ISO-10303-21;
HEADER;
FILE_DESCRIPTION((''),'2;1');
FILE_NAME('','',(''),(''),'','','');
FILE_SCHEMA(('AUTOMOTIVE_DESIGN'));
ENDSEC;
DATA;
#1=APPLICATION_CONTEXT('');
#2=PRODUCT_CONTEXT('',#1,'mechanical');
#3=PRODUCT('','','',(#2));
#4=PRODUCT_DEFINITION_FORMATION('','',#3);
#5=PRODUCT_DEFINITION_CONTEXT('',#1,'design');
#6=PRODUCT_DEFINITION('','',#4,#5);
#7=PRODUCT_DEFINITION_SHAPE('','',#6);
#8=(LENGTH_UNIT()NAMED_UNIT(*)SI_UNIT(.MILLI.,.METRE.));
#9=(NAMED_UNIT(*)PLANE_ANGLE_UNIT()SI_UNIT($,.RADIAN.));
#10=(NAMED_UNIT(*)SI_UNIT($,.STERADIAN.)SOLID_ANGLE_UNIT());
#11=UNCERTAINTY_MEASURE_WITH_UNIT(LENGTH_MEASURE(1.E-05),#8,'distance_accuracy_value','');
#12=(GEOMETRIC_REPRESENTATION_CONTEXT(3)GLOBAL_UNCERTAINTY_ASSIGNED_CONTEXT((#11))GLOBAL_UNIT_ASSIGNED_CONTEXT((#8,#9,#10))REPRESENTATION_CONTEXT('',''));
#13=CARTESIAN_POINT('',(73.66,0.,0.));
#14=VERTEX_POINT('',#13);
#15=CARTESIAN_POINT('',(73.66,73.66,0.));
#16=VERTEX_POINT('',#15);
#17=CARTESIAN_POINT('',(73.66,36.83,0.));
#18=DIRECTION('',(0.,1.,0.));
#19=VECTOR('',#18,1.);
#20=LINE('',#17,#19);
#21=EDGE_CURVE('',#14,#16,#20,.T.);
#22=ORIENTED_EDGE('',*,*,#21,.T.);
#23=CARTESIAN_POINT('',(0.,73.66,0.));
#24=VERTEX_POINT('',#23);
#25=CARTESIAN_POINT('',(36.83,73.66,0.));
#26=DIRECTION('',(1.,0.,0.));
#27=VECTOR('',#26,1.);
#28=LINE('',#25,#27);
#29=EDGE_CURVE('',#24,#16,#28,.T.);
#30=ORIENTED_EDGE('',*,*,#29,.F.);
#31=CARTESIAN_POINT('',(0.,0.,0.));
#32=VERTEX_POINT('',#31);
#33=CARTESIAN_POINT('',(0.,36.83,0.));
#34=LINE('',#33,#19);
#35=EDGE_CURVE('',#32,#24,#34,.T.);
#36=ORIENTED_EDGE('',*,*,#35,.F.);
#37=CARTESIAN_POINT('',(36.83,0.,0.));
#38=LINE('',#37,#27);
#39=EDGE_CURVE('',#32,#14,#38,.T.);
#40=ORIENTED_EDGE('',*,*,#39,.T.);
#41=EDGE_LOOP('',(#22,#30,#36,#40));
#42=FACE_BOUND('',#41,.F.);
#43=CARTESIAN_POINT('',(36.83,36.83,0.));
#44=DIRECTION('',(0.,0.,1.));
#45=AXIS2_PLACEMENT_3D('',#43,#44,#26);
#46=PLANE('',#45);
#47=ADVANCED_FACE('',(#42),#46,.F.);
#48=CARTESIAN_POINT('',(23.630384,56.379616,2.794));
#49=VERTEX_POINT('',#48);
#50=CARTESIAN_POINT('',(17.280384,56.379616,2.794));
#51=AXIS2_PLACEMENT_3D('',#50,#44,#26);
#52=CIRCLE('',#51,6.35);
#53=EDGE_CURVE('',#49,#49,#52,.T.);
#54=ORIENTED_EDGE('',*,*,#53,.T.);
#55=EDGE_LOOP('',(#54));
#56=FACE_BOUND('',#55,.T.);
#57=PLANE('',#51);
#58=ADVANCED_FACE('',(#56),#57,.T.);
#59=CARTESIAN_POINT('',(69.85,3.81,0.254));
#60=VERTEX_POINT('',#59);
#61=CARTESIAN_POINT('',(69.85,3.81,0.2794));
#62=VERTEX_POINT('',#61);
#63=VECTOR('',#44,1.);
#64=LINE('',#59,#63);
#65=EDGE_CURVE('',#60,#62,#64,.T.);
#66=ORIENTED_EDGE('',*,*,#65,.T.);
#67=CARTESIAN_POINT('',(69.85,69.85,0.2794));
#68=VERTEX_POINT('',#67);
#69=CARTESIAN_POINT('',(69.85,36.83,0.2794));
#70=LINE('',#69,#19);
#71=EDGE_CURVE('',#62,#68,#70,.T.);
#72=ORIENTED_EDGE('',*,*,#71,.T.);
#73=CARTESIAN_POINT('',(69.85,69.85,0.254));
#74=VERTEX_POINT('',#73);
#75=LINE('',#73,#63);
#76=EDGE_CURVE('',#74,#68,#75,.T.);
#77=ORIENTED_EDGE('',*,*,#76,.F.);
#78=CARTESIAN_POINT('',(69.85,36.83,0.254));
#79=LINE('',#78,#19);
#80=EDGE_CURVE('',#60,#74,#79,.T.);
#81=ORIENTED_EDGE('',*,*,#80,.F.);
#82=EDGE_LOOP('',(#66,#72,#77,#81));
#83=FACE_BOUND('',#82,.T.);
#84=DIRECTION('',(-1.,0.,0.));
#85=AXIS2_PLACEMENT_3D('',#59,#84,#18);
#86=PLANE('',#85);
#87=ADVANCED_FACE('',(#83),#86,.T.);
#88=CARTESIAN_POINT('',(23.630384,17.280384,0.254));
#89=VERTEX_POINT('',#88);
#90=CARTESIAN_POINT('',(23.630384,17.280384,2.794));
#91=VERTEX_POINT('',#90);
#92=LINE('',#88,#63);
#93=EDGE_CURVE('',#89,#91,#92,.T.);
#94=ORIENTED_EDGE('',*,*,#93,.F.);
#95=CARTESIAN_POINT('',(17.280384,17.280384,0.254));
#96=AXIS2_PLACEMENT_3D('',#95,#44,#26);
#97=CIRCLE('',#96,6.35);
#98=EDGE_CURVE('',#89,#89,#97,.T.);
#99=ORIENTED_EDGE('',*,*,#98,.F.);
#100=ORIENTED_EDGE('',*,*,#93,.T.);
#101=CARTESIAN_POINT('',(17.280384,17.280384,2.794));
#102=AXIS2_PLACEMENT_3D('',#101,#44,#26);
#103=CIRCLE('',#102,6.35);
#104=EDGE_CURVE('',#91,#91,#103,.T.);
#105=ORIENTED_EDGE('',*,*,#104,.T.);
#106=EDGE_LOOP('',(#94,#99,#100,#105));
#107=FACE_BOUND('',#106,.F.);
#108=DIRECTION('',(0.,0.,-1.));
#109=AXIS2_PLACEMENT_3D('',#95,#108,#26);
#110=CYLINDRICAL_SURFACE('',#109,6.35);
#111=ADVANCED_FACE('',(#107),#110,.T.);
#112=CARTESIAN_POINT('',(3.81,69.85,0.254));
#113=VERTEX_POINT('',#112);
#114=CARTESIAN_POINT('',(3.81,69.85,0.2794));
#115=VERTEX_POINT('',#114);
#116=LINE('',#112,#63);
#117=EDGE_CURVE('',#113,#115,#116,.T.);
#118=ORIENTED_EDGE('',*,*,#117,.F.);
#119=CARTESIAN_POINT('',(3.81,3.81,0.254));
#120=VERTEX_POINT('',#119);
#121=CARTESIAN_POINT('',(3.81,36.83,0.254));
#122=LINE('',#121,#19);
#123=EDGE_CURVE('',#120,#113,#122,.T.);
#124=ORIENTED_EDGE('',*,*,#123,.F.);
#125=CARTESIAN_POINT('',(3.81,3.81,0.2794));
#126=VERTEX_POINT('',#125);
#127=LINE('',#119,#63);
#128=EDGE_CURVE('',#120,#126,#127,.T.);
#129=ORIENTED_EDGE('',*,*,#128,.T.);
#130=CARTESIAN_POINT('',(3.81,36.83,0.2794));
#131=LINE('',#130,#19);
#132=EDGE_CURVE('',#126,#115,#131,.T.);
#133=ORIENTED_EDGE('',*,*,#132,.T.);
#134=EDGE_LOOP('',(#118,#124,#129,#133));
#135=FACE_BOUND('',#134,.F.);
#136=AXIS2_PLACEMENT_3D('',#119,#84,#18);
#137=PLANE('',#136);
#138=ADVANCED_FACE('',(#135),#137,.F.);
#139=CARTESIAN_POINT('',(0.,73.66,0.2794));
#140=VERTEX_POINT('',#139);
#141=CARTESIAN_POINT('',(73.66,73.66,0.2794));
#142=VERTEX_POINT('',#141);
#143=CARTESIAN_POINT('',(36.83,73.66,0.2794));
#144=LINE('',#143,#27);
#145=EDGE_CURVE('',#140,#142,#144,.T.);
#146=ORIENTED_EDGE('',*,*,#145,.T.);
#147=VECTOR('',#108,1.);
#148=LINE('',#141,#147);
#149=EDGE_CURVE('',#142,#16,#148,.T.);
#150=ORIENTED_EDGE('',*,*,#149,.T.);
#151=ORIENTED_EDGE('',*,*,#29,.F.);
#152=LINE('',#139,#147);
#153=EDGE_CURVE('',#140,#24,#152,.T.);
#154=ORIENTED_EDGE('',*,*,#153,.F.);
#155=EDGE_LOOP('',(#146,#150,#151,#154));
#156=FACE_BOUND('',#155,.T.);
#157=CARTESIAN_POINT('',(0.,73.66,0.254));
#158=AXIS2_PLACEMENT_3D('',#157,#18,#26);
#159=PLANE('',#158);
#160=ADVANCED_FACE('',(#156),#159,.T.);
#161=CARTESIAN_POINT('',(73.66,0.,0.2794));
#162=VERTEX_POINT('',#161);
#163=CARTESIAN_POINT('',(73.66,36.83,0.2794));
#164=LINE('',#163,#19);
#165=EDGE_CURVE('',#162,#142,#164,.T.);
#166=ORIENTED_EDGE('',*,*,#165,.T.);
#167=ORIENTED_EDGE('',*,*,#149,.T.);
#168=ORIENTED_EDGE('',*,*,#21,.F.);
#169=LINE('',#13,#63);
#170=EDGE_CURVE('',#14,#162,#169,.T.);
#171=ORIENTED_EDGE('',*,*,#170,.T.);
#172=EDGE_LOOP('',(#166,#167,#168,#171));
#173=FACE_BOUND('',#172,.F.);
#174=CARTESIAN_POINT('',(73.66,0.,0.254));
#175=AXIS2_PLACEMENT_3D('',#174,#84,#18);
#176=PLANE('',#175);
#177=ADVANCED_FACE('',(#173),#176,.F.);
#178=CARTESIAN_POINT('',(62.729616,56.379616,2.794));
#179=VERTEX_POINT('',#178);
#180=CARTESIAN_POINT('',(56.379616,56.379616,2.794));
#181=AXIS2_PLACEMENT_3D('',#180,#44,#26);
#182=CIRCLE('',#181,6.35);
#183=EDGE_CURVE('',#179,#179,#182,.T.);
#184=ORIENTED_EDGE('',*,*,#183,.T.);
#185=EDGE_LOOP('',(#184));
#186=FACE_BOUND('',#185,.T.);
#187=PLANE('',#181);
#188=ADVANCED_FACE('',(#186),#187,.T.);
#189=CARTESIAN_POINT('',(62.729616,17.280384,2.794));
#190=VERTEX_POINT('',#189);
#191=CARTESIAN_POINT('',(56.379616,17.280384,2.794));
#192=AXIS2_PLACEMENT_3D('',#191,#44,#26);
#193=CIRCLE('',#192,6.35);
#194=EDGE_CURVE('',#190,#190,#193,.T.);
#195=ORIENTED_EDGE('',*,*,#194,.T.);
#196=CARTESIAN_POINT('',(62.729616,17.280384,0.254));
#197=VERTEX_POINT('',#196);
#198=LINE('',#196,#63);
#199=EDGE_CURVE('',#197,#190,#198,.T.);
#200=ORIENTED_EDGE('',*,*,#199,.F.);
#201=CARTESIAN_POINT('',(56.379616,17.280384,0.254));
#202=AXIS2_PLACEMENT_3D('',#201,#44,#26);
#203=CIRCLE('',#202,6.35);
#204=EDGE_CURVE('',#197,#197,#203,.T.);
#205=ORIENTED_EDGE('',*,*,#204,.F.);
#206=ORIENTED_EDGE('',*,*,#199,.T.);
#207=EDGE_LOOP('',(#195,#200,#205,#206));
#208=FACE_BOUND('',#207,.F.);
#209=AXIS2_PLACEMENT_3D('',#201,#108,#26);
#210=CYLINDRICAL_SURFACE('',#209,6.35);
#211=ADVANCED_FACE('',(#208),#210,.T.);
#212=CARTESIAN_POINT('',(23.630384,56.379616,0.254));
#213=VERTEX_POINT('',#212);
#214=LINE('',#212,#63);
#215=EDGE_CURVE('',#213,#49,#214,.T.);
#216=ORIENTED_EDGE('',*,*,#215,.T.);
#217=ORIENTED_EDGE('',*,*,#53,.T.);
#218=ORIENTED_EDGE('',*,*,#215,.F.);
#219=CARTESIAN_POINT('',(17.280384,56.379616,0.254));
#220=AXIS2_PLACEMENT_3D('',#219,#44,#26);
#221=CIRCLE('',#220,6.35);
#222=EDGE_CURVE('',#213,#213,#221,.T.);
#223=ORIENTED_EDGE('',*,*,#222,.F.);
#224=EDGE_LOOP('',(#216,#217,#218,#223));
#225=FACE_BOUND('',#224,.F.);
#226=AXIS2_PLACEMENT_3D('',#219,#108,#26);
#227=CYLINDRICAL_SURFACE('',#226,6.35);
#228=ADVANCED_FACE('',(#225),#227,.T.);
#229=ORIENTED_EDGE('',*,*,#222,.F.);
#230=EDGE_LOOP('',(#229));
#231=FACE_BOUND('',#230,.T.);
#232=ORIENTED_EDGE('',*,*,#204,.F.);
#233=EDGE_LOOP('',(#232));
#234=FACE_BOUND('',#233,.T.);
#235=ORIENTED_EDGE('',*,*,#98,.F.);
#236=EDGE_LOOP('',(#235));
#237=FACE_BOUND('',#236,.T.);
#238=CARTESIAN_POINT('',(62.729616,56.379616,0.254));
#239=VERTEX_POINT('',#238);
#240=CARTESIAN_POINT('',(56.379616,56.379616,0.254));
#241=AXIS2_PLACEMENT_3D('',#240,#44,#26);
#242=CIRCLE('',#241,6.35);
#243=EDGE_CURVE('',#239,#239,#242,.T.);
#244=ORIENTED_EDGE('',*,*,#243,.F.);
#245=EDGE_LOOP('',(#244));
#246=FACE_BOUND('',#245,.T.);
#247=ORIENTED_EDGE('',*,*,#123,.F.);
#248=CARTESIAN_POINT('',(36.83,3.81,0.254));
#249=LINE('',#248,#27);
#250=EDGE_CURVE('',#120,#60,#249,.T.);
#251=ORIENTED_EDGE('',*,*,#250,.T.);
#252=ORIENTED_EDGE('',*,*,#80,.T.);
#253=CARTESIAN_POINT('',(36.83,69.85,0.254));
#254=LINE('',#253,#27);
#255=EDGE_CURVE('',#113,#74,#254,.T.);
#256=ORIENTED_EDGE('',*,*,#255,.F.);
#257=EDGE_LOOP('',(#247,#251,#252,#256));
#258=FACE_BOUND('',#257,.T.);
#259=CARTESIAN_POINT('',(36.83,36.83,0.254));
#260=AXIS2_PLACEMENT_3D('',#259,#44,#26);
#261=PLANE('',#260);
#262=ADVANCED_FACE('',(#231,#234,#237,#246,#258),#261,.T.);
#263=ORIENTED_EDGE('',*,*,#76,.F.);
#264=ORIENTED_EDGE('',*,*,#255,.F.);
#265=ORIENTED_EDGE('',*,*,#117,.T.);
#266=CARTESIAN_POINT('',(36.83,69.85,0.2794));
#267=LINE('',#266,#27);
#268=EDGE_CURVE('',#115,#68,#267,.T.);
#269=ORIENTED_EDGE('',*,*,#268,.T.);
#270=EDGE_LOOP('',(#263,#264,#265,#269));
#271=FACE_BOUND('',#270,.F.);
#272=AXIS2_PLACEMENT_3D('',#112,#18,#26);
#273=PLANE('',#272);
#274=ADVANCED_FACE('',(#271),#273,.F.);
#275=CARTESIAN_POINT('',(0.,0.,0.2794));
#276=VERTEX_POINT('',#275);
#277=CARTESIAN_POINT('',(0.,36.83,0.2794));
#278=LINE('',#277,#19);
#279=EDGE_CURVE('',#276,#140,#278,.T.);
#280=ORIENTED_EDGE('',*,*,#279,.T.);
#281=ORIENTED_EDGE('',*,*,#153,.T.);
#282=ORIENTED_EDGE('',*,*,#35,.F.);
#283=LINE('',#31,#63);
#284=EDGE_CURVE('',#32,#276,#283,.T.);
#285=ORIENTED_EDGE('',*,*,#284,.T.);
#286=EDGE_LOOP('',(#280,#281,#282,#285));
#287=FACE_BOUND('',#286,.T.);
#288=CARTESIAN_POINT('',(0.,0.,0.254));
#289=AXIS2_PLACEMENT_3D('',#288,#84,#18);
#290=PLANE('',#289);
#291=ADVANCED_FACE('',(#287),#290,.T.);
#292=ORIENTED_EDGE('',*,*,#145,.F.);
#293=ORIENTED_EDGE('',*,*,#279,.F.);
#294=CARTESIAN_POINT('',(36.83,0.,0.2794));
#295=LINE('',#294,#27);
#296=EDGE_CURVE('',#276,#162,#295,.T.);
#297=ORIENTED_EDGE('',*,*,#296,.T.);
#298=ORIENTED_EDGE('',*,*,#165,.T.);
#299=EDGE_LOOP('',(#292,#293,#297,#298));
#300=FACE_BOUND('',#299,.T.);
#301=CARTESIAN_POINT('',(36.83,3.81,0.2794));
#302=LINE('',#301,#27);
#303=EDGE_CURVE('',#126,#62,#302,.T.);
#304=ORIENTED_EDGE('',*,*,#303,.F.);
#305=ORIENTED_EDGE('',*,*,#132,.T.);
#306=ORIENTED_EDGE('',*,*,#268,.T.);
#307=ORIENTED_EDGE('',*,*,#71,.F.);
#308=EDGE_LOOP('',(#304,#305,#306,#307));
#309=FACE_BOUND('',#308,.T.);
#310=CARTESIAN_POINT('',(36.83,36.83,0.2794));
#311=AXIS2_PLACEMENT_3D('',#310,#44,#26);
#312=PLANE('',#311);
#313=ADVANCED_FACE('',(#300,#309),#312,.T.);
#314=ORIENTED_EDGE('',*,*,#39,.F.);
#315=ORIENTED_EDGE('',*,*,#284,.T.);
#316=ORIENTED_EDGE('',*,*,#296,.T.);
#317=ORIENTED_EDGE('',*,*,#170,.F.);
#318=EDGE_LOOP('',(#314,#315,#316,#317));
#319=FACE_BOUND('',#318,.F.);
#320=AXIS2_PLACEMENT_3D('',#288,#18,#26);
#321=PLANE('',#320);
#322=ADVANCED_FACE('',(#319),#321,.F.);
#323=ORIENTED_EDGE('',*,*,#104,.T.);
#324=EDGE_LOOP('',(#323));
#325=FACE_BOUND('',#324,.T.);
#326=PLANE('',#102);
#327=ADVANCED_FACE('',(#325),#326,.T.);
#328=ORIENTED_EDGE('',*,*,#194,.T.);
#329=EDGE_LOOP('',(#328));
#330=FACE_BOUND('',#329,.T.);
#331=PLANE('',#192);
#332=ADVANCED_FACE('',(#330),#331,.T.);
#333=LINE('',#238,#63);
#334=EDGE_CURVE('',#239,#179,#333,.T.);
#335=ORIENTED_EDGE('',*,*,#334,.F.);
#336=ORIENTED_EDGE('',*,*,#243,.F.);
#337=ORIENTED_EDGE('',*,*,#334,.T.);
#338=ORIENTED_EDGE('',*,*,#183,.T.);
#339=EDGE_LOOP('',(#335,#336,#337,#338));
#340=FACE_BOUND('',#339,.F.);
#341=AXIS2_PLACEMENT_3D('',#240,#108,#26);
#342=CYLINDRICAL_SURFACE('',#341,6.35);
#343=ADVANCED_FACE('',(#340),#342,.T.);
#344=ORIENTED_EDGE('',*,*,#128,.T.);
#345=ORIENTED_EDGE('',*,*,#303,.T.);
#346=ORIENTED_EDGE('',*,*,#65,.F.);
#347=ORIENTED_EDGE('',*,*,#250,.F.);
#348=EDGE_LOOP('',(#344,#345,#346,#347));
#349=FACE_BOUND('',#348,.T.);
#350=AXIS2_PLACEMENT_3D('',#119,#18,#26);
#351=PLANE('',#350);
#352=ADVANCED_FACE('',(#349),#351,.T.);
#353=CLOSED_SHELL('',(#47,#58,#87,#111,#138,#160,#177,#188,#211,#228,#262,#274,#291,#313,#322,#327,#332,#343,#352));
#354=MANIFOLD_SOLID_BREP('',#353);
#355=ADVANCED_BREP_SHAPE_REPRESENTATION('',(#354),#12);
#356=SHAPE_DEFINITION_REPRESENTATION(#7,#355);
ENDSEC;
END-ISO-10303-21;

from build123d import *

# Parameters (mm, degrees)
F0_W     = 73.66
F0_H     = 73.66
F1_DEPTH = 0.254
F2_W     = 73.66
F2_H     = 73.66
F2_W_2   = 66.04
F2_H_2   = 66.04
F3_DEPTH = 0.0254
F4_R     = 6.35
F5_DEPTH = 2.54


with BuildPart() as f1:
    # F0 (on Top) → F1 (new body)
    with BuildSketch(Plane.XY):
        with Locations((36.83, 36.83)):
            Rectangle(F0_W, F0_H)
    extrude(amount=F1_DEPTH)

    # F2 (on face) → F3 (join)
    with BuildSketch(Plane.XY.offset(0.254)):
        with Locations((36.83, 36.83)):
            Rectangle(F2_W, F2_H)
        with Locations((36.83, 36.83)):
            Rectangle(F2_W_2, F2_H_2, mode=Mode.SUBTRACT)
    extrude(amount=F3_DEPTH)

    # F4 (on face) → F5 (join)
    with BuildSketch(Plane.XY.offset(0.254)):
        with Locations((17.280384, 56.379616)):
            Circle(F4_R)
        with Locations((17.280384, 17.280384)):
            Circle(F4_R)
        with Locations((56.379616, 17.280384)):
            Circle(F4_R)
        with Locations((56.379616, 56.379616)):
            Circle(F4_R)
    extrude(amount=F5_DEPTH)


solid = f1.part
